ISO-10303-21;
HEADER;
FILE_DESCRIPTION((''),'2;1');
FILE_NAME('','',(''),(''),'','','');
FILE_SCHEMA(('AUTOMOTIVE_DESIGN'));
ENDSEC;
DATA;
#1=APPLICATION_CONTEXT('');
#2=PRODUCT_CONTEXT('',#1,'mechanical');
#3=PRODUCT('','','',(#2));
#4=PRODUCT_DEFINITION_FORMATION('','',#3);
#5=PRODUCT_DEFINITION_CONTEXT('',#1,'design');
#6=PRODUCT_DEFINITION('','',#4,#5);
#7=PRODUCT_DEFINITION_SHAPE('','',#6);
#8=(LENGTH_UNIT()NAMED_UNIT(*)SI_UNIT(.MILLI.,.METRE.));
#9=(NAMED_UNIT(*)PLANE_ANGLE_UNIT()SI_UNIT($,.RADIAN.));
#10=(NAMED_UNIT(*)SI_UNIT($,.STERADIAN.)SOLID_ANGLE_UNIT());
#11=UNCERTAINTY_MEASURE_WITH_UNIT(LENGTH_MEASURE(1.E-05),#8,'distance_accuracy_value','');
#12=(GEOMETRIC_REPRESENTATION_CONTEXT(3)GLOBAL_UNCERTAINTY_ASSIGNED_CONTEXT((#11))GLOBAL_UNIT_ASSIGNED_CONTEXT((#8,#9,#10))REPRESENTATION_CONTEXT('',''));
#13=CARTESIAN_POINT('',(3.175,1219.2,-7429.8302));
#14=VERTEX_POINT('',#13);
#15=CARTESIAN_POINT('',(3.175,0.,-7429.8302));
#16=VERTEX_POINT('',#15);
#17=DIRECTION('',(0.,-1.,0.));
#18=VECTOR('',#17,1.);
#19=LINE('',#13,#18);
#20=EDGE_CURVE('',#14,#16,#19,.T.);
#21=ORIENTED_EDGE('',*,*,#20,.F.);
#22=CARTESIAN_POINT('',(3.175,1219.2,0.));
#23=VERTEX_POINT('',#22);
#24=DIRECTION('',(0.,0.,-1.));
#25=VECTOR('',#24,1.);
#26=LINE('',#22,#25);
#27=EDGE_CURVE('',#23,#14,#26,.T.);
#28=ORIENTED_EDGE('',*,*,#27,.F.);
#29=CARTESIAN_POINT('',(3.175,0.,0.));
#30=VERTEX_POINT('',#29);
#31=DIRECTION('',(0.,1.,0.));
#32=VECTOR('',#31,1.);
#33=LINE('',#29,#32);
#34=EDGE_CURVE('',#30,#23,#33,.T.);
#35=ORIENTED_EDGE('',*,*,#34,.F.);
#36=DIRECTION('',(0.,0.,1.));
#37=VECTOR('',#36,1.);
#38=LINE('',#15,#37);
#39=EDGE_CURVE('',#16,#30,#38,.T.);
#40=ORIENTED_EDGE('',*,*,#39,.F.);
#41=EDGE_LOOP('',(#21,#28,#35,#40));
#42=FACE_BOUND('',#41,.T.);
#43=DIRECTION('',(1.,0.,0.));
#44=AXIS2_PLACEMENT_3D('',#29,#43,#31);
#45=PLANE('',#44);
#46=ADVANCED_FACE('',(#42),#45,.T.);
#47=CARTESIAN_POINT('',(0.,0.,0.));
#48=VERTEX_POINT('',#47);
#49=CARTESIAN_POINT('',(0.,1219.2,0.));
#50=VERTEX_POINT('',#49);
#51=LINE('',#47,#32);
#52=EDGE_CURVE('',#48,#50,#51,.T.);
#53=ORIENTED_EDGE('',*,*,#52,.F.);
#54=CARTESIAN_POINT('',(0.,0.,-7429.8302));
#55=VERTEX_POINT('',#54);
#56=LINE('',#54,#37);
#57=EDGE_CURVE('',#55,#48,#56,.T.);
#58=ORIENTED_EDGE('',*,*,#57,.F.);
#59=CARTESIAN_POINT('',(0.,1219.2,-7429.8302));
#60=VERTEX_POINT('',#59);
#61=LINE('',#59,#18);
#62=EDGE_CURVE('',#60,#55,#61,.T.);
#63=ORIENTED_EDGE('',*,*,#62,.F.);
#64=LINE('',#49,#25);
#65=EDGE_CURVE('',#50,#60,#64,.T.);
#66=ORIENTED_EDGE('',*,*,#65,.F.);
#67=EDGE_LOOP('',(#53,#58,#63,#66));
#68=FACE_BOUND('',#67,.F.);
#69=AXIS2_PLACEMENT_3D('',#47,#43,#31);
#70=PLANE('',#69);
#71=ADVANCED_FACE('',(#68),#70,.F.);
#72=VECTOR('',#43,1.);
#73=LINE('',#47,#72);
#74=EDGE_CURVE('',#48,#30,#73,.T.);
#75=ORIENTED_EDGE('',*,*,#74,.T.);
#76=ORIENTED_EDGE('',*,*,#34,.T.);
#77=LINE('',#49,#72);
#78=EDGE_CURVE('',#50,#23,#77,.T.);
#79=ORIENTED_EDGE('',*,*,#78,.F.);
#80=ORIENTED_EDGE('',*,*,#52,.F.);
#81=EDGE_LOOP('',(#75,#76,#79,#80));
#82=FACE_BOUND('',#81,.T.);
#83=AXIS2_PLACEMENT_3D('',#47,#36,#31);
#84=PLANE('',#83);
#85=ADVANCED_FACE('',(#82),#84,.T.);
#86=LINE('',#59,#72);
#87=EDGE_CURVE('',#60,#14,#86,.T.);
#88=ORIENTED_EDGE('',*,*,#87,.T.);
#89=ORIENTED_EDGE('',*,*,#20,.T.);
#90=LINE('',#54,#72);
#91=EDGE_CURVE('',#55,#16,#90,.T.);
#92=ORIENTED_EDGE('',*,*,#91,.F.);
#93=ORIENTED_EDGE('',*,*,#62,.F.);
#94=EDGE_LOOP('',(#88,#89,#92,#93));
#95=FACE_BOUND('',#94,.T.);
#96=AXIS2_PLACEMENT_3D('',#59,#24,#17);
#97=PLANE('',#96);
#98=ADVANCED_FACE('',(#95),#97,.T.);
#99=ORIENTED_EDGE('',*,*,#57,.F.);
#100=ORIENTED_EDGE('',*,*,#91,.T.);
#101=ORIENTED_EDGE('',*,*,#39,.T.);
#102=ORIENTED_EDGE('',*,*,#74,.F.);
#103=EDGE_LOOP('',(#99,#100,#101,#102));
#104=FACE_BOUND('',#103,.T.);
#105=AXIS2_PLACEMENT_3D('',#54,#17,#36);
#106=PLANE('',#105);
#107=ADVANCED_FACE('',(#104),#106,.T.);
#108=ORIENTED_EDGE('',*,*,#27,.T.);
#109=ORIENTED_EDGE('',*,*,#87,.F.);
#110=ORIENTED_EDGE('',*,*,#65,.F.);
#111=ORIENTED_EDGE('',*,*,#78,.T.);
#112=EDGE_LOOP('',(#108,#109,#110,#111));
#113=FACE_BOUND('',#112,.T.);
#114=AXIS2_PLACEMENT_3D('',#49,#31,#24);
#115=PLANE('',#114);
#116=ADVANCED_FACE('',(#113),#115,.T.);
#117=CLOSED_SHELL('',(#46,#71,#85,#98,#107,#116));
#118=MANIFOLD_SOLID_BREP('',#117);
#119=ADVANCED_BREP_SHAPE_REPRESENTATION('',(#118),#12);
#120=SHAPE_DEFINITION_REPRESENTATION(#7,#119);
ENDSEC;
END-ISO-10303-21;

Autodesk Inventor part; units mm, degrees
ref_plane "YZ Plane" through (0, 0, 0) normal (1, 0, 0) x (0, 1, 0)
ref_plane "XZ Plane" through (0, 0, 0) normal (0, 1, 0) x (-1, 0, 0)
ref_plane "XY Plane" through (0, 0, 0) normal (0, 0, 1) x (1, 0, 0)
sketch "Sketch1" plane through (0, 0, 0) normal (1, 0, 0) x (0, 1, 0)
  line L0 (0, 0) -> (1219.2, 0)
  line L1 (1219.2, 0) -> (1219.2, -7429.8302)
  line L2 (1219.2, -7429.8302) -> (0, -7429.8302)
  line L3 (0, -7429.8302) -> (0, 0)
  dimension "d4" = 7429.8302
  dimension "d5" = 1219.2
extrude "Extrusion1" add sketch "Sketch1" along normal blind 3.175
properties part number "Underlayment_For_Roof"
